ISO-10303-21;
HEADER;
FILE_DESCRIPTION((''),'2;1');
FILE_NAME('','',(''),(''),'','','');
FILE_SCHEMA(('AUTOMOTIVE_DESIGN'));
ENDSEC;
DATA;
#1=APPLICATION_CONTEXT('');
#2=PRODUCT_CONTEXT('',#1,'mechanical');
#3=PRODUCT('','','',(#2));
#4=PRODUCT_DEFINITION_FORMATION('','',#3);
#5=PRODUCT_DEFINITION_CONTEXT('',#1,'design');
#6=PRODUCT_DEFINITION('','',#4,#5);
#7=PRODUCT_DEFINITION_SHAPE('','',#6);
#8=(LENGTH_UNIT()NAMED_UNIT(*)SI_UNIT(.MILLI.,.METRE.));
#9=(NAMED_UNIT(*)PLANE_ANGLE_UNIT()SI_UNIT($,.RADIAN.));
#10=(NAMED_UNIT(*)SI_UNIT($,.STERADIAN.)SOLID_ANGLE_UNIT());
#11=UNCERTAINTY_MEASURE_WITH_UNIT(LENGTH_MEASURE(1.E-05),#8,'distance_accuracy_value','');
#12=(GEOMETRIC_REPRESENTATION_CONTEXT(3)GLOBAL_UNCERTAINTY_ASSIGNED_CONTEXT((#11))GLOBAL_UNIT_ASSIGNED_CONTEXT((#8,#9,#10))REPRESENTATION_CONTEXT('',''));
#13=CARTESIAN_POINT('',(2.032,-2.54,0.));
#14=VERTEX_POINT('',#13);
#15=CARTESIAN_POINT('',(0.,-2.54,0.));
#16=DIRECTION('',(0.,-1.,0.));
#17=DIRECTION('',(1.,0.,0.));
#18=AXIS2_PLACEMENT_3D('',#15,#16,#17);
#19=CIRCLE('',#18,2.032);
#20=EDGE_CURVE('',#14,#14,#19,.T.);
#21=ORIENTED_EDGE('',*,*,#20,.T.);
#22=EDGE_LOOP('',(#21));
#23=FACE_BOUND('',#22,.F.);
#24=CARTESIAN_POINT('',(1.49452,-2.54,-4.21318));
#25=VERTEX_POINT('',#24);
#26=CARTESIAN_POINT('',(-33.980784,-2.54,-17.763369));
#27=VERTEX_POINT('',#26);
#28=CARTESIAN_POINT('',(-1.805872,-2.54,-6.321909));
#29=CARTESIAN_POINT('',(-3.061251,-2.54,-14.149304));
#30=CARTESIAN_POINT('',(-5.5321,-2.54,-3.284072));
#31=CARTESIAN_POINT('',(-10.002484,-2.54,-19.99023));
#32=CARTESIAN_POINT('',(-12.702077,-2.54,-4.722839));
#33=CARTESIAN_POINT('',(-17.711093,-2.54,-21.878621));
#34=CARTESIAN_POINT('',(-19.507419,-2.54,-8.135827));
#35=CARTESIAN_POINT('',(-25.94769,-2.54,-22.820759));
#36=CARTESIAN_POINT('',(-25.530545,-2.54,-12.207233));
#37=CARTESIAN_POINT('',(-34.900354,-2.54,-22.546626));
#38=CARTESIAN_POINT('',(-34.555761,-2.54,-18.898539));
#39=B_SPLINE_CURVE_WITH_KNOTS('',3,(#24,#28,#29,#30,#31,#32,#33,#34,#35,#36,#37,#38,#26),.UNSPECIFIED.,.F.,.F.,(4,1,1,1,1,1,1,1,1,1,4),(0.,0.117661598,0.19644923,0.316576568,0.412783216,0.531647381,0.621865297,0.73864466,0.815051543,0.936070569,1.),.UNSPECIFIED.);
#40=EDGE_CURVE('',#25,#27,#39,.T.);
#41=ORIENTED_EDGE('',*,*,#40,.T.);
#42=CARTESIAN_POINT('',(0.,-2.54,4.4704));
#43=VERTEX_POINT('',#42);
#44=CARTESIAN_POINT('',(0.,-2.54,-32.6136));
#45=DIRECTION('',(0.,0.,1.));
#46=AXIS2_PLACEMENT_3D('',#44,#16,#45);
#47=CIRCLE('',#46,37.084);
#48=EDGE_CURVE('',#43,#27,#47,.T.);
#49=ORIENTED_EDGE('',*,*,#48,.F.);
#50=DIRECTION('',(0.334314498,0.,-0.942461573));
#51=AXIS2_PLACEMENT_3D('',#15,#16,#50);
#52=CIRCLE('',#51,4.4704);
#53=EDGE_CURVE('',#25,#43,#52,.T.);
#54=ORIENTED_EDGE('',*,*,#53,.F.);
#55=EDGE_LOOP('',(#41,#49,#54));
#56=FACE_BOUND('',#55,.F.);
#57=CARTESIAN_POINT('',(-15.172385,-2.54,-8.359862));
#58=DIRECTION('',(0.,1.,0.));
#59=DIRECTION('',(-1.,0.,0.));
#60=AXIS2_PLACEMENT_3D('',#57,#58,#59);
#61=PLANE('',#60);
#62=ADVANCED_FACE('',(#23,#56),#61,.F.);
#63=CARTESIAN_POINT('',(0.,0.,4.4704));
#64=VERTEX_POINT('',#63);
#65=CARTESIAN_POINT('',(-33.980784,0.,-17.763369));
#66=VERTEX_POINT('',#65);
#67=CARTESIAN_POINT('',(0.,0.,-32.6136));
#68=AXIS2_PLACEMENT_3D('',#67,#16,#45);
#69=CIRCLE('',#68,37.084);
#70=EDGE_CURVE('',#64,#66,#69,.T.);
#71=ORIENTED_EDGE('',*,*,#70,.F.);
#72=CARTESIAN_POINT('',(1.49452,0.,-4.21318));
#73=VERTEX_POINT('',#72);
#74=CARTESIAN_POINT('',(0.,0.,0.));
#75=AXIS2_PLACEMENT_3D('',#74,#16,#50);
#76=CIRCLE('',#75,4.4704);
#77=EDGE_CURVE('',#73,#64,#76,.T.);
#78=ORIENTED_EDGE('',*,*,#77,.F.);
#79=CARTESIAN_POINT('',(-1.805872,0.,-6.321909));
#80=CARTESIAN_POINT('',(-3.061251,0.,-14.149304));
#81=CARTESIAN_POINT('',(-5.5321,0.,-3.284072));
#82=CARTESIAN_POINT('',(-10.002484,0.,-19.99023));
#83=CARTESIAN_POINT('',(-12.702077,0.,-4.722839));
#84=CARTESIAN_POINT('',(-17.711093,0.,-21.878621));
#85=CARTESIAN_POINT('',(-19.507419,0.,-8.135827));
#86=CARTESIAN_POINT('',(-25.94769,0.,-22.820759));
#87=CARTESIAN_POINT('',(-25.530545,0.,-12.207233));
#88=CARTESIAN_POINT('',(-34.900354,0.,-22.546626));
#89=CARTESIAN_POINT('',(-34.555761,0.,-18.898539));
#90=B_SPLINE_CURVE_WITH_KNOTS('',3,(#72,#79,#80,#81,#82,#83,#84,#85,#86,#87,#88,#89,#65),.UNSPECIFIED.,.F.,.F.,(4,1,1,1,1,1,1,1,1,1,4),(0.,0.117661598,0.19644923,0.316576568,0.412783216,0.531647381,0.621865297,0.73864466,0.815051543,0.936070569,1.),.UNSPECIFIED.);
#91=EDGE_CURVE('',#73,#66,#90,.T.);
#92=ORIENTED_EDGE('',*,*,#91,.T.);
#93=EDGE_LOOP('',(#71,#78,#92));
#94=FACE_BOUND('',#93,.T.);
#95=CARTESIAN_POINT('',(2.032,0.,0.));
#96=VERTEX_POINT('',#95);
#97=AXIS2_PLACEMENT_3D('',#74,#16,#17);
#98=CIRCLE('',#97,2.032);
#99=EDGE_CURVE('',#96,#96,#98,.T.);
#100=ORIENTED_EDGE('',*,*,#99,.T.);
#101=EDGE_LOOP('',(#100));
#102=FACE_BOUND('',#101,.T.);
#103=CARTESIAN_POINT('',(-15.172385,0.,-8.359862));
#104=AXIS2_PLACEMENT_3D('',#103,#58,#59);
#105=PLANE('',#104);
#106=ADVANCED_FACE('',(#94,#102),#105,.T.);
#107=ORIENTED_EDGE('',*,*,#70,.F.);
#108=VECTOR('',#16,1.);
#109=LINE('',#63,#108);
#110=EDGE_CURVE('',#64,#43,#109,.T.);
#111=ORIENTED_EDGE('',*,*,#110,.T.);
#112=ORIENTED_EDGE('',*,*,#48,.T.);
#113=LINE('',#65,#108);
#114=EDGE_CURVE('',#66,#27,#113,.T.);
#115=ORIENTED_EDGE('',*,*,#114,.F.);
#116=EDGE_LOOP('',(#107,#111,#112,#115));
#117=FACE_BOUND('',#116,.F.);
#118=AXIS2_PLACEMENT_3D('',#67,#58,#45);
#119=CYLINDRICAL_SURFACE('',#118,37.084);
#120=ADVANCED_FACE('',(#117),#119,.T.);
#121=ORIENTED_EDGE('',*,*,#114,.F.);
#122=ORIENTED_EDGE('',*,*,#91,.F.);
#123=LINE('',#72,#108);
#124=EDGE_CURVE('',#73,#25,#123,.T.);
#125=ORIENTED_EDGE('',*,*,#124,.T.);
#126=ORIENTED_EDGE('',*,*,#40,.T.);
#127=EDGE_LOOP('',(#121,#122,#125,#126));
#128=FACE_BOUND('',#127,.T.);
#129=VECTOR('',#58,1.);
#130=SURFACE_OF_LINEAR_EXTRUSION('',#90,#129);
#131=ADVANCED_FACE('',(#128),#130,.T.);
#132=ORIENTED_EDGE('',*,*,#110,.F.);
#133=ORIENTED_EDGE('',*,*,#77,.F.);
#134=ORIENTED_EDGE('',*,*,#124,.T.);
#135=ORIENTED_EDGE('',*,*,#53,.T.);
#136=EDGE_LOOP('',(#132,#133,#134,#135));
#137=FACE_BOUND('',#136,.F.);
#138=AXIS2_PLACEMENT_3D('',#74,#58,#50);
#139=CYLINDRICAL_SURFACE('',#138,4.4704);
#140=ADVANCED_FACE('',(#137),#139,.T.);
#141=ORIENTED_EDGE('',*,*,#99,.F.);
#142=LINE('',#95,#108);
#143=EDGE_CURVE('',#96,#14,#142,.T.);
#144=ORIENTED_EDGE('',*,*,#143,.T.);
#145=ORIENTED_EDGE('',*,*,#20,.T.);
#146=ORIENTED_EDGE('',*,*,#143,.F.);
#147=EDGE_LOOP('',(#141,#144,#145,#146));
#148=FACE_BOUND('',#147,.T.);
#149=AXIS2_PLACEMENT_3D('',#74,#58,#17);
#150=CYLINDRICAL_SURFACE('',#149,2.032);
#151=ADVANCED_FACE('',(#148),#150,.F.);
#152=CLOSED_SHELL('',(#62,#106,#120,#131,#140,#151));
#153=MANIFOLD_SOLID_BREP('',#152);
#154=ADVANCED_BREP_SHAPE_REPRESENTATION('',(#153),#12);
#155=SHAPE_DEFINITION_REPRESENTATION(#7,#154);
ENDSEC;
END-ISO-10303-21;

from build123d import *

# Parameters (mm, degrees)
F0_R     = 2.032
F1_DEPTH = 2.54


with BuildPart() as f1:
    # F0 (on Front) → F1 (new body)
    with BuildSketch(Plane.XZ):
        with BuildLine():
            add(Edge.make_bspline(
                [(1.4945195339, -4.2131802148), (-1.805871775, -6.3219087169), (-3.0612513389, -14.1493036864), (-5.5320999807, -3.2840724127), (-10.0024838999, -19.9902298634), (-12.7020772138, -4.7228386247), (-17.7110929859, -21.8786206026), (-19.5074188146, -8.1358273403), (-25.9476903739, -22.8207591481), (-25.5305452999, -12.2072332633), (-34.9003537181, -22.5466264257), (-34.555760513, -18.8985391449), (-33.9807841486, -17.7633688688)],
                knots=[0, 0, 0, 0, 0.1176615981, 0.1964492305, 0.3165765682, 0.4127832161, 0.5316473812, 0.6218652971, 0.7386446596, 0.8150515429, 0.9360705685, 1, 1, 1, 1], degree=3))
            ThreePointArc((1.4945195339, -4.2131802148), (4.4056257781, 0.75824644), (0, 4.4704))
            ThreePointArc((0, 4.4704), (-20.3041508654, -1.581930473), (-33.9807841486, -17.7633688688))
        make_face()
        Circle(F0_R, mode=Mode.SUBTRACT)
    extrude(amount=F1_DEPTH)


solid = f1.part
